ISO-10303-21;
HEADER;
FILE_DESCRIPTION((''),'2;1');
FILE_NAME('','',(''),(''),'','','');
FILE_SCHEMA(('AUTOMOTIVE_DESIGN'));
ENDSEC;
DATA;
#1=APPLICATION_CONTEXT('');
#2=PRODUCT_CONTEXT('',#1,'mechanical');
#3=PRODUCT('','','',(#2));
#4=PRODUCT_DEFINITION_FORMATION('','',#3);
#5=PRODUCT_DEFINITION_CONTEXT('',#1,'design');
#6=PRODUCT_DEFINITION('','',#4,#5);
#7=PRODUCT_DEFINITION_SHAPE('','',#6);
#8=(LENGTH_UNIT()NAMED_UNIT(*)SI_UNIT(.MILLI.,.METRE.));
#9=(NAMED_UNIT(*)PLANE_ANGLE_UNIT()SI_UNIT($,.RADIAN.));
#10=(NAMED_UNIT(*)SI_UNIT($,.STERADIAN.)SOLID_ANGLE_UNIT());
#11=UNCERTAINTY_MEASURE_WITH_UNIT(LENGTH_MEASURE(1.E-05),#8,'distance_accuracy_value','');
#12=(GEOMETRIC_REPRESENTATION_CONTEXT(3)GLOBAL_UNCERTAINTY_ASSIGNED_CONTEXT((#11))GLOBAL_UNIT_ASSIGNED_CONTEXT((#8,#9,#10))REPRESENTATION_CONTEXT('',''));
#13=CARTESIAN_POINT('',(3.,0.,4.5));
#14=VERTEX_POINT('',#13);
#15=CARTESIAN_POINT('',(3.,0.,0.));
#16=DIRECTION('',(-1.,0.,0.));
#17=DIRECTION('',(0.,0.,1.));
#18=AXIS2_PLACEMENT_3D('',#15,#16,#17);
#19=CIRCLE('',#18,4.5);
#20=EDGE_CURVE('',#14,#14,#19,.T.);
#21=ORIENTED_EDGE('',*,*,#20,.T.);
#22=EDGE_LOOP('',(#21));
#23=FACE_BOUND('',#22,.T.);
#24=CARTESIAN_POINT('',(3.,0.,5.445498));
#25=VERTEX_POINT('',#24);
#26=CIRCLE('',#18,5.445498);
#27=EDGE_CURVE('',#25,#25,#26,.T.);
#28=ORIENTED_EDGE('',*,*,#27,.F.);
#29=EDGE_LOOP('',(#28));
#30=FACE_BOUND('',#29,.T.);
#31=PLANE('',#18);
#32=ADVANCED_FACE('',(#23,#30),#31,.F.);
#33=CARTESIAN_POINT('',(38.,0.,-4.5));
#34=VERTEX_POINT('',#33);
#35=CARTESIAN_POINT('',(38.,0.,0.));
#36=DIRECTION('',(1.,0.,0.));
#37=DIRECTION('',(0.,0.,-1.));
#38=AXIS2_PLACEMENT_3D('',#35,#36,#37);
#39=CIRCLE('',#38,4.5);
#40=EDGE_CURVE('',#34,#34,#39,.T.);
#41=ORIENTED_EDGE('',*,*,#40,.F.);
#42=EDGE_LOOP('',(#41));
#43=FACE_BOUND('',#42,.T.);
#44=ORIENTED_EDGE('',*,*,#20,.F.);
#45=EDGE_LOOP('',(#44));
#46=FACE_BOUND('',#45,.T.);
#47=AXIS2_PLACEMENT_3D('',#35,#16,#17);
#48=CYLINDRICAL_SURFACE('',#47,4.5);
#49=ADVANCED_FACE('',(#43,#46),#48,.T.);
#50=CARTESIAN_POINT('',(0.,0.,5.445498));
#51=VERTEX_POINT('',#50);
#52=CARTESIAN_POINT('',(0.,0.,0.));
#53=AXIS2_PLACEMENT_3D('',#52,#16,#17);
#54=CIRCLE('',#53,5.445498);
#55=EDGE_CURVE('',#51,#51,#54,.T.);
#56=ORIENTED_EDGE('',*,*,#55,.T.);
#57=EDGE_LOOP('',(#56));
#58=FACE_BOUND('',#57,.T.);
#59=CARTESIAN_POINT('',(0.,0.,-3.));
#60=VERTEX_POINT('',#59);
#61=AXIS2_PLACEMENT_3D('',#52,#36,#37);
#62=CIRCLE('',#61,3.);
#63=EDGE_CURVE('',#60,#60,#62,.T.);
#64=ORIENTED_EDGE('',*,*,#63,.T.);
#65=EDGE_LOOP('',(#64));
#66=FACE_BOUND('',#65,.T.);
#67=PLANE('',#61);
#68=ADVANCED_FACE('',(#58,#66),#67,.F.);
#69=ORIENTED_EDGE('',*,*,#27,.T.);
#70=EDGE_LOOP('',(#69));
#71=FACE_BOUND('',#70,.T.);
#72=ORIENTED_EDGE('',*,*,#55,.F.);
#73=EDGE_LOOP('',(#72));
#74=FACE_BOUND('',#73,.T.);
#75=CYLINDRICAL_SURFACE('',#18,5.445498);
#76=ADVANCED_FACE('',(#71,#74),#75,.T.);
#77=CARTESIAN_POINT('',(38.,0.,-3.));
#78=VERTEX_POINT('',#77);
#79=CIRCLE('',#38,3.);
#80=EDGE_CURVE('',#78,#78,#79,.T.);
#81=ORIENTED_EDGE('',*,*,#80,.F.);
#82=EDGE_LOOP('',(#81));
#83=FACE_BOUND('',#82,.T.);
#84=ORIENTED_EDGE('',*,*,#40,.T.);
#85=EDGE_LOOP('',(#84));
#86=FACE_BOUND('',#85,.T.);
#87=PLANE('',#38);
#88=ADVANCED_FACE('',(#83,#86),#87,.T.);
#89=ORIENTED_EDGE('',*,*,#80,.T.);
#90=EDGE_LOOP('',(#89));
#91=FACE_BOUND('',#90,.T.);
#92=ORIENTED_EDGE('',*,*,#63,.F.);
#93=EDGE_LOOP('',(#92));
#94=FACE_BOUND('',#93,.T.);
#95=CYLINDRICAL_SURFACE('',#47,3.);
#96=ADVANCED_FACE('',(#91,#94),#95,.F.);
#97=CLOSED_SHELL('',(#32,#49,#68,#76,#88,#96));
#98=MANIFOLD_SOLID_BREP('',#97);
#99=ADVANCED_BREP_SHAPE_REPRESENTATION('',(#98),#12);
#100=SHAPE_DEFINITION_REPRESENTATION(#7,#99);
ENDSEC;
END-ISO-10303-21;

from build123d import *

# Parameters (mm, degrees)
ESQUISSE1_R      = 4.5
ESQUISSE1_R_2    = 3
EXTRUSION1_DEPTH = 38
ESQUISSE2_R      = 5.44549811
ESQUISSE2_R_2    = 4.5
EXTRUSION2_DEPTH = 3


with BuildPart() as part:
    # Esquisse1 → Extrusion1 (new body)
    with BuildSketch(Plane(origin=(0, 0, 0), x_dir=(0, 0, -1), z_dir=(1, 0, 0))):
        Circle(ESQUISSE1_R)
        Circle(ESQUISSE1_R_2, mode=Mode.SUBTRACT)
    extrude(amount=EXTRUSION1_DEPTH)

    # Esquisse2 → Extrusion2 (add)
    with BuildSketch(Plane.ZY):
        Circle(ESQUISSE2_R)
        Circle(ESQUISSE2_R_2, mode=Mode.SUBTRACT)
    extrude(amount=-EXTRUSION2_DEPTH)


solid = part.part
